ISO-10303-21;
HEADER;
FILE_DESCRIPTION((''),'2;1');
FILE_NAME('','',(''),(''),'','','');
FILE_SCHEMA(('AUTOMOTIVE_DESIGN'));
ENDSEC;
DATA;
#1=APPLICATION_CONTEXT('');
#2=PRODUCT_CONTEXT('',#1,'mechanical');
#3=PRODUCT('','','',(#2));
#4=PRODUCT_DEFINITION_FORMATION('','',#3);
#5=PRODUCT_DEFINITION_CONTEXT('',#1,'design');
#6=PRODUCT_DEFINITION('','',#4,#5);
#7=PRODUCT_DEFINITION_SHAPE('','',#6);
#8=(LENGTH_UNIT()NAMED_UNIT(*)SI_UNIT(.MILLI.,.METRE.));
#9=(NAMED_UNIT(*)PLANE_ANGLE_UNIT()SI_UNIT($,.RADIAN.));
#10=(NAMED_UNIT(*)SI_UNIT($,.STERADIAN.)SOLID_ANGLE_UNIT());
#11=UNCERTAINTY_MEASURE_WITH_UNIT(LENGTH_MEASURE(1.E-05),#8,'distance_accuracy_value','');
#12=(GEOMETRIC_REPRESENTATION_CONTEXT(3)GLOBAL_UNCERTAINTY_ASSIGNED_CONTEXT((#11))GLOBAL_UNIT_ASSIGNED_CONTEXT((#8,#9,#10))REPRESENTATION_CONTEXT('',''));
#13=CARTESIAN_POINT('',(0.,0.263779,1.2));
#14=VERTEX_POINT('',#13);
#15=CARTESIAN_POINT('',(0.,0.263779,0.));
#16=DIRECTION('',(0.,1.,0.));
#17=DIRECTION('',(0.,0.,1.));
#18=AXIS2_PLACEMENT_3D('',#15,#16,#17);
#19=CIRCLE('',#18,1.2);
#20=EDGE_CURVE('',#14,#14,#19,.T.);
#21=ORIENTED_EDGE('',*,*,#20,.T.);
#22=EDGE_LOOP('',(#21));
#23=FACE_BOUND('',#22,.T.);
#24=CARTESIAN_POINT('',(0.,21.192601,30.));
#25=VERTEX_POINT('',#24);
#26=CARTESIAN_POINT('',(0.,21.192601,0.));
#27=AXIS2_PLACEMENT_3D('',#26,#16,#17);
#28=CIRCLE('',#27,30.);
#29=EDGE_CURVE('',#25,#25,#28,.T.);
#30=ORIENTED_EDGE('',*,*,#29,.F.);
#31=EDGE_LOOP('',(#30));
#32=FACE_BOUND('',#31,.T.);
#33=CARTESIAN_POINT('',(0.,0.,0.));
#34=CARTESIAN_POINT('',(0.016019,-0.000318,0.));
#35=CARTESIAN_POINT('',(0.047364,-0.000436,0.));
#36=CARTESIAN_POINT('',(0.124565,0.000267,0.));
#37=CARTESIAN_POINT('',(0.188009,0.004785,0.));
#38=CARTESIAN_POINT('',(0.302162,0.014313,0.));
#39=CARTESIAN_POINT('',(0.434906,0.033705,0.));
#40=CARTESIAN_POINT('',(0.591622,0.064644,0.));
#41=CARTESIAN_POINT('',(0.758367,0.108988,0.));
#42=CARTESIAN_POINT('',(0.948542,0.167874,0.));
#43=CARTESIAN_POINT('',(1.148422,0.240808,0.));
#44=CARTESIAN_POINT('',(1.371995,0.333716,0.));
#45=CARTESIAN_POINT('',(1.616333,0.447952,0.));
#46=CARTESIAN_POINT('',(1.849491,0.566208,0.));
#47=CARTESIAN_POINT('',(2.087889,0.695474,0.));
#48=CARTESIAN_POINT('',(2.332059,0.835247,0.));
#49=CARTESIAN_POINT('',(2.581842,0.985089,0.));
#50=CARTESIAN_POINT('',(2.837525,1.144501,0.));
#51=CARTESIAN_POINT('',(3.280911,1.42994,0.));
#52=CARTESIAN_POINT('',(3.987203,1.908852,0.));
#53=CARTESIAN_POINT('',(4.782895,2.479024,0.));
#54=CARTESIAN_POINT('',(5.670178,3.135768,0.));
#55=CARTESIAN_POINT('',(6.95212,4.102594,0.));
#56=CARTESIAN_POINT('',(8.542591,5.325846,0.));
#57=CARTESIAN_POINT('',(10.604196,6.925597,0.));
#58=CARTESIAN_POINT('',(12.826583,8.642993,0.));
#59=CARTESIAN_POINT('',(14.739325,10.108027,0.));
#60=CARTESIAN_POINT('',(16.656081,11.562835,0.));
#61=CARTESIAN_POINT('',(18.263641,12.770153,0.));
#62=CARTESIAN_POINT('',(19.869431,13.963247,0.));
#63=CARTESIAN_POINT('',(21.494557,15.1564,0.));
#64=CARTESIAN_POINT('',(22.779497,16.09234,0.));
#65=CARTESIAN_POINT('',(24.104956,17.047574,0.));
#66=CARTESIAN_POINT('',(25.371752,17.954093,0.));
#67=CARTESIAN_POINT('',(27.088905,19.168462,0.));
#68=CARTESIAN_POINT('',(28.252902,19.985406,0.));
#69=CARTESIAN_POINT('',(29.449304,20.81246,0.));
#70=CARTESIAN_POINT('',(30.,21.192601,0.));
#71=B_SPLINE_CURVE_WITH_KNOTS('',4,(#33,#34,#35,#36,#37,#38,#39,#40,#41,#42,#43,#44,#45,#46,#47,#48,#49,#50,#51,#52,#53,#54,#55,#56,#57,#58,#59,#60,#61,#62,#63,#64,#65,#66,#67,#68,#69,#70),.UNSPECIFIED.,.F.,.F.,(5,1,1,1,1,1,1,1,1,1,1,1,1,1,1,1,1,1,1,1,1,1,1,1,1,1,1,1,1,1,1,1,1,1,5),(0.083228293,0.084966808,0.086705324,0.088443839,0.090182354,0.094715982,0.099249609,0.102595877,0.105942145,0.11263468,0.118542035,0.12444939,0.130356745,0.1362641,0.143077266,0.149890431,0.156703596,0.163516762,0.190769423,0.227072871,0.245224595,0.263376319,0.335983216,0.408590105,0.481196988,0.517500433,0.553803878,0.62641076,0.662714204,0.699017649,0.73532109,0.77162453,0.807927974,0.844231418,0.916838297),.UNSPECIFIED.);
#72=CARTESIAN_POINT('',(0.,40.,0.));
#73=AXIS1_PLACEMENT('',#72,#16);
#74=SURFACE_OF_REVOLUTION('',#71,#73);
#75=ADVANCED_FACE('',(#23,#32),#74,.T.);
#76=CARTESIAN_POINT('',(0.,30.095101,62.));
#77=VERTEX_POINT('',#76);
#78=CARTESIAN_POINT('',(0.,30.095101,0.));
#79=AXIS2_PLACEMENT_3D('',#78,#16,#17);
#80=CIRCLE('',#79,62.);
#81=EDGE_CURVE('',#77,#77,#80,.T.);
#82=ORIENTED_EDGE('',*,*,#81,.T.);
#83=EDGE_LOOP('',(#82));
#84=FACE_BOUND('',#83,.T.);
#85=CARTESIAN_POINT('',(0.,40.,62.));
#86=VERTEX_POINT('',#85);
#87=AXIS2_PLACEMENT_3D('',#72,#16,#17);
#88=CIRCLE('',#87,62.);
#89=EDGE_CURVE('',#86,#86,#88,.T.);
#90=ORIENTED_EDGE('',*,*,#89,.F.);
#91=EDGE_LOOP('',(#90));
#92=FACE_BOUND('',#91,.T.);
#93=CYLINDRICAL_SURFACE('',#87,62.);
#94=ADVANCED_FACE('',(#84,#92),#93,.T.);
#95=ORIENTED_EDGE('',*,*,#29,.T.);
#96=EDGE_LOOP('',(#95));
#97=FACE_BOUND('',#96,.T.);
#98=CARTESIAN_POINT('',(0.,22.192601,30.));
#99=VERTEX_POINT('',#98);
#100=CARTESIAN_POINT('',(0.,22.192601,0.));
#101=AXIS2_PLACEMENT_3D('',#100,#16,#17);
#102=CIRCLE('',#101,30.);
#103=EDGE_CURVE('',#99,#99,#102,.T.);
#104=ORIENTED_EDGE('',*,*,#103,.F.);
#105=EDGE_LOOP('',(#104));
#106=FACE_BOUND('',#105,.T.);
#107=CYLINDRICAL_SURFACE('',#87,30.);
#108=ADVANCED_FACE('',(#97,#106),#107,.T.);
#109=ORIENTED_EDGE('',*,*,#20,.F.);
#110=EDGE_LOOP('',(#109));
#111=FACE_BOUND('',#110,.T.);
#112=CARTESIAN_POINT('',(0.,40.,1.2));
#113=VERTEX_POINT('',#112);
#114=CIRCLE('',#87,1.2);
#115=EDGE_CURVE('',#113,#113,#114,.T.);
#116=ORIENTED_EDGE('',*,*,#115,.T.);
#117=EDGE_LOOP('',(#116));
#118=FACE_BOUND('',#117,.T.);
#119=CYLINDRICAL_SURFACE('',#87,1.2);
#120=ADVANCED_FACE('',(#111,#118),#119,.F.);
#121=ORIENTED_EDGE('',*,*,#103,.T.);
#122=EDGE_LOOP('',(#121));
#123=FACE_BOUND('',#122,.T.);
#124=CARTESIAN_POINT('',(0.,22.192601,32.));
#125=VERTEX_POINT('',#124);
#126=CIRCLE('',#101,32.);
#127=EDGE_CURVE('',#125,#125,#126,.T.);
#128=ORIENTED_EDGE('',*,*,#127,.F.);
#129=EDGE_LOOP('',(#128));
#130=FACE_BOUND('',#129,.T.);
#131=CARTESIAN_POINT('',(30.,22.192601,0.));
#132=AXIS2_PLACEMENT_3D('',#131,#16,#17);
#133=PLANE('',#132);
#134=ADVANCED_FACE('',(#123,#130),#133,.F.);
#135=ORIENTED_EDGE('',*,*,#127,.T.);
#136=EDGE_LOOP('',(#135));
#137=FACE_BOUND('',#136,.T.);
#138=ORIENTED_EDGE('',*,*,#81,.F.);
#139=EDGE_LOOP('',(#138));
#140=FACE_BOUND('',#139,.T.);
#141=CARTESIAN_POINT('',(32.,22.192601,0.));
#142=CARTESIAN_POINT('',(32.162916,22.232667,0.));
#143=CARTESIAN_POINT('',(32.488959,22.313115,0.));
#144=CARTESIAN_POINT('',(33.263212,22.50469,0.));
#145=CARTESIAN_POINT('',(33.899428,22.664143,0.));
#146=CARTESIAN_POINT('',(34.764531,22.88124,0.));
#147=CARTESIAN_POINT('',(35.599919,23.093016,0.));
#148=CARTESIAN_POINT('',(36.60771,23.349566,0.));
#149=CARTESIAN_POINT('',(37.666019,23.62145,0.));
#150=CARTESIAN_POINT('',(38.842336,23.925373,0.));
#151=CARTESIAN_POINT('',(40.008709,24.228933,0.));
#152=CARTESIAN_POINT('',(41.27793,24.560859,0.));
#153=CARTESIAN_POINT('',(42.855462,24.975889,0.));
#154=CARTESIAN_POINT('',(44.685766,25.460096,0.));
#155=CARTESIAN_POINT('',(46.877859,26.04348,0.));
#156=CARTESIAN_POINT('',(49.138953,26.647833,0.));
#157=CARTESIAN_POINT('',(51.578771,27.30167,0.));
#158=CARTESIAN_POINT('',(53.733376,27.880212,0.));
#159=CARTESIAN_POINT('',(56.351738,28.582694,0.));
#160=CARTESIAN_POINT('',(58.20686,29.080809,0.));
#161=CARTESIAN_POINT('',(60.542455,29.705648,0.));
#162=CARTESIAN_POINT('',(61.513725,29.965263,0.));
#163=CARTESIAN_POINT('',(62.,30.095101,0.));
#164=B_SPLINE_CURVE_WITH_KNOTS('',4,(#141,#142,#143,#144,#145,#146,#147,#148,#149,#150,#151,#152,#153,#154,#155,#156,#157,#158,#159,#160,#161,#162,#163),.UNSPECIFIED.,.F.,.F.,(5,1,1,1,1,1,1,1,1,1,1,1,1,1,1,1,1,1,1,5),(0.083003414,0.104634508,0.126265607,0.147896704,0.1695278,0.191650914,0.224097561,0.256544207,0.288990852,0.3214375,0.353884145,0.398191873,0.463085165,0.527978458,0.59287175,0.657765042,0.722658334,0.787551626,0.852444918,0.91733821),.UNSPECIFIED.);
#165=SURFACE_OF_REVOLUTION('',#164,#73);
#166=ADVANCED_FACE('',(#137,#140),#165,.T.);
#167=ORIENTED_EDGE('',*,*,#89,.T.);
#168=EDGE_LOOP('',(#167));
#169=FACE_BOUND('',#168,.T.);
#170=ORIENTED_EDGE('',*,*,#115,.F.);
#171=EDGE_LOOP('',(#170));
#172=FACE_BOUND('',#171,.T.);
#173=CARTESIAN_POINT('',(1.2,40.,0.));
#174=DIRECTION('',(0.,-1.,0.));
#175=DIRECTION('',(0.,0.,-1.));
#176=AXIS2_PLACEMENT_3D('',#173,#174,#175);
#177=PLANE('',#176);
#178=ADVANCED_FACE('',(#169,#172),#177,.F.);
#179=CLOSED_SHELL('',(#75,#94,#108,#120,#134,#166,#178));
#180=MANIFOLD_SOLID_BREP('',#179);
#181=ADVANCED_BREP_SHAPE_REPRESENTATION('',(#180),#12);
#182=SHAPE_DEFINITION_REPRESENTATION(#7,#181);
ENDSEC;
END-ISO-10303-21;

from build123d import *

# Parameters (mm, degrees)
SKETCH5_R          = 1.2
CUT_EXTRUDE1_DEPTH = 97.374391836


with BuildPart() as part:
    # Sketch3 → Revolve4 (revolve)
    with BuildSketch(Plane.XY, mode=Mode.PRIVATE) as revolve4_sk:
        with BuildLine():
            Line((1.2, 40), (1.2, 35))
            Line((1.2, 35), (0, 35))
            Line((0, 35), (0, 0))
            add(Edge.make_bspline(
                [(0, 0), (0.016019319, -0.000318055), (0.047363957, -0.000435511), (0.124565155, 0.000266609), (0.188009448, 0.004784889), (0.302162397, 0.014312965), (0.434906427, 0.033705318), (0.591621889, 0.064644454), (0.758367433, 0.108988084), (0.948542262, 0.167874068), (1.148421918, 0.240807637), (1.371995113, 0.333716386), (1.616332852, 0.447951628), (1.849490673, 0.566207637), (2.087888718, 0.695473704), (2.332059128, 0.835246826), (2.58184161, 0.985088882), (2.837525433, 1.144500635), (3.280910816, 1.429940425), (3.987203031, 1.90885241), (4.782895287, 2.47902437), (5.670177955, 3.135768142), (6.952119682, 4.102593634), (8.54259141, 5.325845847), (10.604195933, 6.925596943), (12.826583422, 8.642993281), (14.739325068, 10.108026887), (16.656080522, 11.562834877), (18.263641211, 12.770152933), (19.86943126, 13.963247261), (21.49455733, 15.156400303), (22.779497329, 16.09234009), (24.104955514, 17.047574491), (25.371752363, 17.954092797), (27.088904748, 19.168461977), (28.252901787, 19.98540612), (29.449304391, 20.812459503), (30, 21.192600657)],
                knots=[0.083228293, 0.083228293, 0.083228293, 0.083228293, 0.083228293, 0.084966808, 0.086705324, 0.088443839, 0.090182354, 0.094715982, 0.099249609, 0.102595877, 0.105942145, 0.11263468, 0.118542035, 0.12444939, 0.130356745, 0.1362641, 0.143077266, 0.149890431, 0.156703596, 0.163516762, 0.190769423, 0.227072871, 0.245224595, 0.263376319, 0.335983216, 0.408590105, 0.481196988, 0.517500433, 0.553803878, 0.62641076, 0.662714204, 0.699017649, 0.73532109, 0.77162453, 0.807927974, 0.844231418, 0.916838297, 0.916838297, 0.916838297, 0.916838297, 0.916838297], degree=4))
            Line((30, 21.192600657), (30, 22.192600657))
            Line((30, 22.192600657), (32, 22.192600657))
            add(Edge.make_bspline(
                [(32, 22.192600657), (32.162915702, 22.232666844), (32.488958654, 22.313115116), (33.263212157, 22.504689633), (33.899427502, 22.664143218), (34.764531294, 22.881239955), (35.599919047, 23.093016172), (36.60770971, 23.349566353), (37.666018765, 23.621449645), (38.842336337, 23.925372583), (40.008709056, 24.228933497), (41.277930329, 24.560859252), (42.855461777, 24.975889041), (44.685765864, 25.460096251), (46.877858703, 26.043480312), (49.138952662, 26.647832786), (51.578771091, 27.301669511), (53.733375607, 27.880212163), (56.351738039, 28.582694255), (58.206860039, 29.080808988), (60.542454551, 29.705648226), (61.51372473, 29.965262734), (62, 30.095100636)],
                knots=[0.083003414, 0.083003414, 0.083003414, 0.083003414, 0.083003414, 0.104634508, 0.126265607, 0.147896704, 0.1695278, 0.191650914, 0.224097561, 0.256544207, 0.288990852, 0.3214375, 0.353884145, 0.398191873, 0.463085165, 0.527978458, 0.59287175, 0.657765042, 0.722658334, 0.787551626, 0.852444918, 0.91733821, 0.91733821, 0.91733821, 0.91733821, 0.91733821], degree=4))
            Line((62, 30.095100636), (62, 40))
            Line((62, 40), (1.2, 40))
        make_face()
    revolve(revolve4_sk.sketch.rotate(Axis((0, 40, 0), (0, -1, 0)), 90), axis=Axis((0, 40, 0), (0, -1, 0)))

    # Sketch5 → Cut-Extrude1 (cut, through all)
    with BuildSketch(Plane(origin=(0, 40, 0), x_dir=(1, 0, 0), z_dir=(0, 1, 0))):
        with Locations(Location((0, 0, 0), (0, 0, 270))):
            Circle(SKETCH5_R)
    extrude(amount=-CUT_EXTRUDE1_DEPTH, mode=Mode.SUBTRACT)


solid = part.part
